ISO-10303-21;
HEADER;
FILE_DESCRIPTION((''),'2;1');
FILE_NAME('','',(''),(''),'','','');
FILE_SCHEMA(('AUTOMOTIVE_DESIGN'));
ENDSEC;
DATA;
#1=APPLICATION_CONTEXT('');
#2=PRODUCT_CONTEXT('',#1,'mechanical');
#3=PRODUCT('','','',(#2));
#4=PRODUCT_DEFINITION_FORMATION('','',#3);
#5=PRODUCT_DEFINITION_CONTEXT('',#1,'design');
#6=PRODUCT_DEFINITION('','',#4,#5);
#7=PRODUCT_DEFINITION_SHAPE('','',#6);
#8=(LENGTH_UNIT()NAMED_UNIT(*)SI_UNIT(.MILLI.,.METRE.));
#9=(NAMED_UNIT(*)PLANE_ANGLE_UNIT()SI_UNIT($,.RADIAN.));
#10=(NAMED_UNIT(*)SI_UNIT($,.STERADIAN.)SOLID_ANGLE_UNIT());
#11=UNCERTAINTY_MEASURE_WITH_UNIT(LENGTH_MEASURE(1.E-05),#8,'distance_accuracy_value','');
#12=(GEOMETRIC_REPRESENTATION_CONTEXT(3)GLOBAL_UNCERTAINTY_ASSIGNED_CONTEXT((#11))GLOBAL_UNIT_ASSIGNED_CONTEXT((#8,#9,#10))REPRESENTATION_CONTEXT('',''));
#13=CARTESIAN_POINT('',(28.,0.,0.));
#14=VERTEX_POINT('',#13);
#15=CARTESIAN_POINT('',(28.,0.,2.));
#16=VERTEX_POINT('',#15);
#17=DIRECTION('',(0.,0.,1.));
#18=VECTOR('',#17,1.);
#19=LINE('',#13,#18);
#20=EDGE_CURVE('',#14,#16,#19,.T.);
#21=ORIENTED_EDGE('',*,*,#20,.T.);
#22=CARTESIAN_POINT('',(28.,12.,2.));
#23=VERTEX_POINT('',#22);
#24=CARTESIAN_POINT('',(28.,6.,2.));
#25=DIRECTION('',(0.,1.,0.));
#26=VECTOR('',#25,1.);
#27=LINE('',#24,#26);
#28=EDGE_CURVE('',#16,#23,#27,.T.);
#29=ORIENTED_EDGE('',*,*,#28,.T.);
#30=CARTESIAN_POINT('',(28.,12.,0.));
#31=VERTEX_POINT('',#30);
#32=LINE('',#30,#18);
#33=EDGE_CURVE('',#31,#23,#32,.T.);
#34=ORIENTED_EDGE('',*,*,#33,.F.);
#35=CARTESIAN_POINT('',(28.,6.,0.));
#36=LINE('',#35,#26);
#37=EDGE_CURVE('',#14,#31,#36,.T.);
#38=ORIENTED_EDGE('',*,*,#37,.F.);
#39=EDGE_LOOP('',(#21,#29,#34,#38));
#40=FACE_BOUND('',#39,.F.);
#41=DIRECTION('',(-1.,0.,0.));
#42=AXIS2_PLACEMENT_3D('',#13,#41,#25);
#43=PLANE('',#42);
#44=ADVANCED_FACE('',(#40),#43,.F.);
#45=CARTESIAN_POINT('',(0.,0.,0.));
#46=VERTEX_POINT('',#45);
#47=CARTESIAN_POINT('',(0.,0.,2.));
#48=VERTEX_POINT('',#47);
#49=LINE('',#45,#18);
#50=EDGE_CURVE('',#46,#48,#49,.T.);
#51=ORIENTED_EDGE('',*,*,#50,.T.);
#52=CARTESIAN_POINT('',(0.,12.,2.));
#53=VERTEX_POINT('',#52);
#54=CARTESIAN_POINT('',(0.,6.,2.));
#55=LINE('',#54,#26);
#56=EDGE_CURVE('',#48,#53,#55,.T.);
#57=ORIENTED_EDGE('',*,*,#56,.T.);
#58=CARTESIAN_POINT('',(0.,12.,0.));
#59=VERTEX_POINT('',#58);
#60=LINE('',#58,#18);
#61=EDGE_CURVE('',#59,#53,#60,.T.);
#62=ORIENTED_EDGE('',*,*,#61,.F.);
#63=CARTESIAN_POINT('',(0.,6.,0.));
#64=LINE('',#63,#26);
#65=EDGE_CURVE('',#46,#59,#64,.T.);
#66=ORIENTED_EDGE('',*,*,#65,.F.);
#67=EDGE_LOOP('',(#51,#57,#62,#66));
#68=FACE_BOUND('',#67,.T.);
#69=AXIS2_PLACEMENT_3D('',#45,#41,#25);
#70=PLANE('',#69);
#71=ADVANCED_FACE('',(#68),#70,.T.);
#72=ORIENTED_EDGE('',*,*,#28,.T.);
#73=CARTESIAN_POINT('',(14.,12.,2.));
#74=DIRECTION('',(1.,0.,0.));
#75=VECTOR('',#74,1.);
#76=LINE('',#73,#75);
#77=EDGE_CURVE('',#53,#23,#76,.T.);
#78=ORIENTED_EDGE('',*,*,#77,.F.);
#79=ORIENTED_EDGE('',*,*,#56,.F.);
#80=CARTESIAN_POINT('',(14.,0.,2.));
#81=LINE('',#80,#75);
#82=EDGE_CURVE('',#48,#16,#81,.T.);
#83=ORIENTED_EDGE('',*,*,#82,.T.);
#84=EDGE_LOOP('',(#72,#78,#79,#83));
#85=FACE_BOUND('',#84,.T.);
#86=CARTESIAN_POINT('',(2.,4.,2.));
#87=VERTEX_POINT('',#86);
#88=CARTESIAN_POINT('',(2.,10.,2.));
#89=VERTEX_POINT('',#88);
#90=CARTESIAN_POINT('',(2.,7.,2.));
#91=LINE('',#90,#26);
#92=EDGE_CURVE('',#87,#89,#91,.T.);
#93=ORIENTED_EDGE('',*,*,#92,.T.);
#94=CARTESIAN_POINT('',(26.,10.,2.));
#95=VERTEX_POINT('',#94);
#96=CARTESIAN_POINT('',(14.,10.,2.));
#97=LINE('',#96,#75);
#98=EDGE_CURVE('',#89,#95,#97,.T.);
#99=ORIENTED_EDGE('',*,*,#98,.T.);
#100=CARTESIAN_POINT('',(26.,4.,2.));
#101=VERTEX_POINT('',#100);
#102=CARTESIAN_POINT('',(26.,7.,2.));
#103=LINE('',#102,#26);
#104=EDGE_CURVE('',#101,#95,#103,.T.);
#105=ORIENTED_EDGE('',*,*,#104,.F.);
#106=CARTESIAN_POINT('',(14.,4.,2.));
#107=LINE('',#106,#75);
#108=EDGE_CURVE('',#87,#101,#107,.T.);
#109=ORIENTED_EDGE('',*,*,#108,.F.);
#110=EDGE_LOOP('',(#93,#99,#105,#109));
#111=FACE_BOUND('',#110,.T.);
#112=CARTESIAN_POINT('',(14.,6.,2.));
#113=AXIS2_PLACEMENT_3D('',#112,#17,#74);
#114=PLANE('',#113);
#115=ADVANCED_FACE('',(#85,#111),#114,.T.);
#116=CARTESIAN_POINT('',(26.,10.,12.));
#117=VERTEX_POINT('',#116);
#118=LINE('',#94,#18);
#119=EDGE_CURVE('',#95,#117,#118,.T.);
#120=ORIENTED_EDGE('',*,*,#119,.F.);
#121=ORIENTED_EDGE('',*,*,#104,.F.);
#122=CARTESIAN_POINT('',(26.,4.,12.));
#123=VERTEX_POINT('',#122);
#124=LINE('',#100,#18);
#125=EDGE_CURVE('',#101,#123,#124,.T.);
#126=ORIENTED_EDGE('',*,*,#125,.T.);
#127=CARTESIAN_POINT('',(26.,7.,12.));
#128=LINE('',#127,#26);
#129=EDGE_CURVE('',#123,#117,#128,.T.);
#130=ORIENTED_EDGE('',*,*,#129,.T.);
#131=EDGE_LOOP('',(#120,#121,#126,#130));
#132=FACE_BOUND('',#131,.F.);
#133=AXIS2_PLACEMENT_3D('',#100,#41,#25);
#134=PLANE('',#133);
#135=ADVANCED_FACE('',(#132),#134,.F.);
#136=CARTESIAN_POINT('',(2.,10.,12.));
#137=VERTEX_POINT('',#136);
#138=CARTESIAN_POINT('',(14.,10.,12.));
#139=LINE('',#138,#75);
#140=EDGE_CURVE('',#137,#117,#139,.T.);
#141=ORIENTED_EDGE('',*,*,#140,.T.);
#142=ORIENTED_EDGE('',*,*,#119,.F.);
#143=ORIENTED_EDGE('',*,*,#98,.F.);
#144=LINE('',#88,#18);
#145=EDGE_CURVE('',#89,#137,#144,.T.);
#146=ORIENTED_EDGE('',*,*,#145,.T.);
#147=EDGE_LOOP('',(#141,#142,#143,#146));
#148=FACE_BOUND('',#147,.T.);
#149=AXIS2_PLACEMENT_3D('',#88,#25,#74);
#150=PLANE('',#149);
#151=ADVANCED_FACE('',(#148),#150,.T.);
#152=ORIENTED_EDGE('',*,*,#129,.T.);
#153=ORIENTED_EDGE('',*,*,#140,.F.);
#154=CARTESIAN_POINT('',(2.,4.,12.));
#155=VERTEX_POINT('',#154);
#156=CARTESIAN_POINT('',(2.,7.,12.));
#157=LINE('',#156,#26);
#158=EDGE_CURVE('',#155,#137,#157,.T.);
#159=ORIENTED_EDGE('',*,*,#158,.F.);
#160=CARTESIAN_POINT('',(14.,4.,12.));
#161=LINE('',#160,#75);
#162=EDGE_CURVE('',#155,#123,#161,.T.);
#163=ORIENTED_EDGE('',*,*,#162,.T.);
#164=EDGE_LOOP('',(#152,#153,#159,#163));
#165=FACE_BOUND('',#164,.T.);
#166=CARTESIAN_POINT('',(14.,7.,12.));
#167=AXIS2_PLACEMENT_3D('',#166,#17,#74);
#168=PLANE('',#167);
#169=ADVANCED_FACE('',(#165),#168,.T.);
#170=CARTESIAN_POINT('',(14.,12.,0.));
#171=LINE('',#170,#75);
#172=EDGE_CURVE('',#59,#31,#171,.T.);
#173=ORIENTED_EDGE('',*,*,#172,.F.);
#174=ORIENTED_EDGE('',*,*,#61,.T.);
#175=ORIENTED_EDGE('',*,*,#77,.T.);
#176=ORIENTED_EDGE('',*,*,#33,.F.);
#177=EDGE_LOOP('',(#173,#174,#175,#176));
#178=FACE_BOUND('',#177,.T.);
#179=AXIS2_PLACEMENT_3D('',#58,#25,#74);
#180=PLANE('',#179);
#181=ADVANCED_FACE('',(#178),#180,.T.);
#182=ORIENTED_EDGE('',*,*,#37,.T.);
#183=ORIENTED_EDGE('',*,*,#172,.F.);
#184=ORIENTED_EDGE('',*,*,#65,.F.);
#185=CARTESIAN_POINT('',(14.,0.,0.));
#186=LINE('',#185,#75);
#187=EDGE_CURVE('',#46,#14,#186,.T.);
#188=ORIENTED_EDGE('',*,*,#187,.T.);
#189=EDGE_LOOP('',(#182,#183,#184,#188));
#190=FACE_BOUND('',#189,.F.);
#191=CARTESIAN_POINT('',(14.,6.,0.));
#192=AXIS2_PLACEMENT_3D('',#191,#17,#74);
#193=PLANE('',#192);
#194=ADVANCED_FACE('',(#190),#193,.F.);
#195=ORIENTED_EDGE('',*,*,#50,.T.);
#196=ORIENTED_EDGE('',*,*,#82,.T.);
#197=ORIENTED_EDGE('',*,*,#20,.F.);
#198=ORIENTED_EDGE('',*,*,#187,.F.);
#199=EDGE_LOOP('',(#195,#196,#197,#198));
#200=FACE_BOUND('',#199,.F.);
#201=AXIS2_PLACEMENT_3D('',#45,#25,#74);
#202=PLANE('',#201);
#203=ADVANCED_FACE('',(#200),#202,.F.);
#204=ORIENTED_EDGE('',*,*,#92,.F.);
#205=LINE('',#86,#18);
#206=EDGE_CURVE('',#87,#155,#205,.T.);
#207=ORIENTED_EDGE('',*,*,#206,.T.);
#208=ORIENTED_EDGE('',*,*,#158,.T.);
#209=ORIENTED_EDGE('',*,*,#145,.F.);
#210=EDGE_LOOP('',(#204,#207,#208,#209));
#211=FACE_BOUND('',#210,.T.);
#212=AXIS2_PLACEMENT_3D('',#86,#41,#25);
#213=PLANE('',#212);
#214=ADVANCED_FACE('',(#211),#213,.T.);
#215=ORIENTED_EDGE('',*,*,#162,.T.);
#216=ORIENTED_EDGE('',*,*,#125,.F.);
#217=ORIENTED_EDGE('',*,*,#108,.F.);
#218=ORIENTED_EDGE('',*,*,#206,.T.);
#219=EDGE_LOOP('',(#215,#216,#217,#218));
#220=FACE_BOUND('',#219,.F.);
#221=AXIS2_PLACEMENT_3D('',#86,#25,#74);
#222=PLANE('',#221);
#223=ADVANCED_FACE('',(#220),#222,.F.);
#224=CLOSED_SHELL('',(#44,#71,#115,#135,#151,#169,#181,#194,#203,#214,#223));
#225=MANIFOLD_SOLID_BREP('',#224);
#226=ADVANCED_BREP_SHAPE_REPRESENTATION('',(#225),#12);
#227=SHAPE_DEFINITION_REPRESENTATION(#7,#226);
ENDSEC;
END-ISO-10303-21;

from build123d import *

# Parameters (mm, degrees)
SKETCH_W     = 28
SKETCH_H     = 12
PAD_DEPTH    = 2
SKETCH001_W  = 24
SKETCH001_H  = 6
PAD001_DEPTH = 10


with BuildPart() as part:
    # Sketch → Pad (new body)
    with BuildSketch(Plane.XY):
        with Locations((14, 6)):
            Rectangle(SKETCH_W, SKETCH_H)
    extrude(amount=PAD_DEPTH)

    # Sketch001 → Pad001 (new body)
    with BuildSketch(Plane.XY.offset(2)):
        with Locations((14, 7)):
            Rectangle(SKETCH001_W, SKETCH001_H)
    extrude(amount=PAD001_DEPTH)


solid = part.part
